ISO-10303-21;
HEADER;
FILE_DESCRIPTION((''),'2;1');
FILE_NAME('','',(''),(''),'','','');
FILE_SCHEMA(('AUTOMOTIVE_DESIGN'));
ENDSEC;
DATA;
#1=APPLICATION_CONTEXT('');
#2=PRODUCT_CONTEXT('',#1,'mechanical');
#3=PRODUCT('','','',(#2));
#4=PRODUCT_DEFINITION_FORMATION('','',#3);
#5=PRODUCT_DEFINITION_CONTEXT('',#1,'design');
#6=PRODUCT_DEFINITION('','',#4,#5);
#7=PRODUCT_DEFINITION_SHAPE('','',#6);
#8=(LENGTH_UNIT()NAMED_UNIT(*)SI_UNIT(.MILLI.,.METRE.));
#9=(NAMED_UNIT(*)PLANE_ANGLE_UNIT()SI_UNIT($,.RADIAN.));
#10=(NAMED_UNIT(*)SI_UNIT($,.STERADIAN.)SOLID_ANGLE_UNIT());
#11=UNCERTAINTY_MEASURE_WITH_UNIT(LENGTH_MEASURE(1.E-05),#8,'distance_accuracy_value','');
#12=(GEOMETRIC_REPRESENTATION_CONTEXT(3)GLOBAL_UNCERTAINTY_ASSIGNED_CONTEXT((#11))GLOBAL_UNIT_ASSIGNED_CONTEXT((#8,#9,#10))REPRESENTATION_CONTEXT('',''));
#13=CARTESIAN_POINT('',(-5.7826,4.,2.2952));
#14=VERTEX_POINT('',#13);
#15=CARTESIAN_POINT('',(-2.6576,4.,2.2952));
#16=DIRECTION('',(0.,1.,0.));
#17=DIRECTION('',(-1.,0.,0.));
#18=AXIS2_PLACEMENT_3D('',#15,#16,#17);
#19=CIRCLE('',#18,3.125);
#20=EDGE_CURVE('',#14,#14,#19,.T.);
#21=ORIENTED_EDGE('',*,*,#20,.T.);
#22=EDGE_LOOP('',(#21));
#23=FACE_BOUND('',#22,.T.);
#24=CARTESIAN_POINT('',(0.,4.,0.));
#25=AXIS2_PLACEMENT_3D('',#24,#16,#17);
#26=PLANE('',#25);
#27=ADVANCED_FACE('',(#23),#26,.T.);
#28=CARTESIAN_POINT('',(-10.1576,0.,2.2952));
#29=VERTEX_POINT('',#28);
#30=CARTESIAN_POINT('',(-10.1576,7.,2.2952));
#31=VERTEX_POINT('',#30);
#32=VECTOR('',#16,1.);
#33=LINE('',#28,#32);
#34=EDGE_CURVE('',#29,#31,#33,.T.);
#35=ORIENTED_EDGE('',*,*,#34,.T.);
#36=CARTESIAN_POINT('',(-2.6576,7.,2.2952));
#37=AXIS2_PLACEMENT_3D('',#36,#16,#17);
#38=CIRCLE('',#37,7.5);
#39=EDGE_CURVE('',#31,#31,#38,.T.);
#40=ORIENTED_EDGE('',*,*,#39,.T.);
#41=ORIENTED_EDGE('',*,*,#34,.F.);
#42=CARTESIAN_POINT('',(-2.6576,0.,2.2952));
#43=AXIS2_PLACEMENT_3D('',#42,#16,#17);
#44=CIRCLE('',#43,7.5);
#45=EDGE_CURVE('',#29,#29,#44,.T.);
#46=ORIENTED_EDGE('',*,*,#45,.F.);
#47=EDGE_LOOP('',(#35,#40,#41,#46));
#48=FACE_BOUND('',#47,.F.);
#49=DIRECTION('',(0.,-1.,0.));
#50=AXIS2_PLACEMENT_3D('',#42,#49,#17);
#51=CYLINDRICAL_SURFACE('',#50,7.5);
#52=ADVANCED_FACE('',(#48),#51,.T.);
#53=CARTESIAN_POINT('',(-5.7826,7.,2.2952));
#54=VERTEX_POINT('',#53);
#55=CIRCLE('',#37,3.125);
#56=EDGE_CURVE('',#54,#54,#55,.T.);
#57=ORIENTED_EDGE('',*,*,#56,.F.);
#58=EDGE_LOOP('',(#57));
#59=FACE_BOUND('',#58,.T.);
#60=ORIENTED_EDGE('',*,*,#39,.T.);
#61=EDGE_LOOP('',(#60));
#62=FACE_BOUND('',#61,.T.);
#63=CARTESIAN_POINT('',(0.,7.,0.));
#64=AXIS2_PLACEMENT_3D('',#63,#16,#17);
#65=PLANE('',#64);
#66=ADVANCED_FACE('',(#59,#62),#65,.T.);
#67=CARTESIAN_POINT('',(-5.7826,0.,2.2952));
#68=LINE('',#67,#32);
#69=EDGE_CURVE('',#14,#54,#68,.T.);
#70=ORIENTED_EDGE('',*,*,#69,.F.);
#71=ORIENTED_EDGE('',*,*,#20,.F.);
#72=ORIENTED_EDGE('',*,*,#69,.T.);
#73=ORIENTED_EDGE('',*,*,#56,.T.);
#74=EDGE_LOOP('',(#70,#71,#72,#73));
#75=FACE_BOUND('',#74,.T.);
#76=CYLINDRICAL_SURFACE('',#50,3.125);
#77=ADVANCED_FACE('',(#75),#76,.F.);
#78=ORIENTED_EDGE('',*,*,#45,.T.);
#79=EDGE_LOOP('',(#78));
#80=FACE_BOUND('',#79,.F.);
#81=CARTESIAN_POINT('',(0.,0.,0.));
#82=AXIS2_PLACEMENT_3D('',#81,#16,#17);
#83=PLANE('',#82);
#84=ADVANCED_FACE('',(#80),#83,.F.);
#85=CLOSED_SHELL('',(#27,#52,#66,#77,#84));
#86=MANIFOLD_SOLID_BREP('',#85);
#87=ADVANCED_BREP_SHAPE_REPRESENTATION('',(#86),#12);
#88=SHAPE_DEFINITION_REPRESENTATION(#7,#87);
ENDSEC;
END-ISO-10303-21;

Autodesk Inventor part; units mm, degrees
ref_plane "YZ Plane" through (0, 0, 0) normal (1, 0, 0) x (0, 1, 0)
ref_plane "XZ Plane" through (0, 0, 0) normal (0, 1, 0) x (-1, 0, 0)
ref_plane "XY Plane" through (0, 0, 0) normal (0, 0, 1) x (1, 0, 0)
sketch "Sketch1" plane through (0, 0, 0) normal (0, 1, 0) x (-1, 0, 0)
  circle A0 centre (2.6576, 2.2952) radius 7.5
  circle A1 centre (2.6576, 2.2952) radius 3.125
  point P0 (0, 0)
  dimension "d0" = 15
  dimension "d1" = 6.25
extrude "MainBody" add sketch "Sketch1" along normal blind 7
extrude "MagnetCutout" add sketch "Sketch1" along normal blind 4 contours A1
properties part number "_3DPrint"
